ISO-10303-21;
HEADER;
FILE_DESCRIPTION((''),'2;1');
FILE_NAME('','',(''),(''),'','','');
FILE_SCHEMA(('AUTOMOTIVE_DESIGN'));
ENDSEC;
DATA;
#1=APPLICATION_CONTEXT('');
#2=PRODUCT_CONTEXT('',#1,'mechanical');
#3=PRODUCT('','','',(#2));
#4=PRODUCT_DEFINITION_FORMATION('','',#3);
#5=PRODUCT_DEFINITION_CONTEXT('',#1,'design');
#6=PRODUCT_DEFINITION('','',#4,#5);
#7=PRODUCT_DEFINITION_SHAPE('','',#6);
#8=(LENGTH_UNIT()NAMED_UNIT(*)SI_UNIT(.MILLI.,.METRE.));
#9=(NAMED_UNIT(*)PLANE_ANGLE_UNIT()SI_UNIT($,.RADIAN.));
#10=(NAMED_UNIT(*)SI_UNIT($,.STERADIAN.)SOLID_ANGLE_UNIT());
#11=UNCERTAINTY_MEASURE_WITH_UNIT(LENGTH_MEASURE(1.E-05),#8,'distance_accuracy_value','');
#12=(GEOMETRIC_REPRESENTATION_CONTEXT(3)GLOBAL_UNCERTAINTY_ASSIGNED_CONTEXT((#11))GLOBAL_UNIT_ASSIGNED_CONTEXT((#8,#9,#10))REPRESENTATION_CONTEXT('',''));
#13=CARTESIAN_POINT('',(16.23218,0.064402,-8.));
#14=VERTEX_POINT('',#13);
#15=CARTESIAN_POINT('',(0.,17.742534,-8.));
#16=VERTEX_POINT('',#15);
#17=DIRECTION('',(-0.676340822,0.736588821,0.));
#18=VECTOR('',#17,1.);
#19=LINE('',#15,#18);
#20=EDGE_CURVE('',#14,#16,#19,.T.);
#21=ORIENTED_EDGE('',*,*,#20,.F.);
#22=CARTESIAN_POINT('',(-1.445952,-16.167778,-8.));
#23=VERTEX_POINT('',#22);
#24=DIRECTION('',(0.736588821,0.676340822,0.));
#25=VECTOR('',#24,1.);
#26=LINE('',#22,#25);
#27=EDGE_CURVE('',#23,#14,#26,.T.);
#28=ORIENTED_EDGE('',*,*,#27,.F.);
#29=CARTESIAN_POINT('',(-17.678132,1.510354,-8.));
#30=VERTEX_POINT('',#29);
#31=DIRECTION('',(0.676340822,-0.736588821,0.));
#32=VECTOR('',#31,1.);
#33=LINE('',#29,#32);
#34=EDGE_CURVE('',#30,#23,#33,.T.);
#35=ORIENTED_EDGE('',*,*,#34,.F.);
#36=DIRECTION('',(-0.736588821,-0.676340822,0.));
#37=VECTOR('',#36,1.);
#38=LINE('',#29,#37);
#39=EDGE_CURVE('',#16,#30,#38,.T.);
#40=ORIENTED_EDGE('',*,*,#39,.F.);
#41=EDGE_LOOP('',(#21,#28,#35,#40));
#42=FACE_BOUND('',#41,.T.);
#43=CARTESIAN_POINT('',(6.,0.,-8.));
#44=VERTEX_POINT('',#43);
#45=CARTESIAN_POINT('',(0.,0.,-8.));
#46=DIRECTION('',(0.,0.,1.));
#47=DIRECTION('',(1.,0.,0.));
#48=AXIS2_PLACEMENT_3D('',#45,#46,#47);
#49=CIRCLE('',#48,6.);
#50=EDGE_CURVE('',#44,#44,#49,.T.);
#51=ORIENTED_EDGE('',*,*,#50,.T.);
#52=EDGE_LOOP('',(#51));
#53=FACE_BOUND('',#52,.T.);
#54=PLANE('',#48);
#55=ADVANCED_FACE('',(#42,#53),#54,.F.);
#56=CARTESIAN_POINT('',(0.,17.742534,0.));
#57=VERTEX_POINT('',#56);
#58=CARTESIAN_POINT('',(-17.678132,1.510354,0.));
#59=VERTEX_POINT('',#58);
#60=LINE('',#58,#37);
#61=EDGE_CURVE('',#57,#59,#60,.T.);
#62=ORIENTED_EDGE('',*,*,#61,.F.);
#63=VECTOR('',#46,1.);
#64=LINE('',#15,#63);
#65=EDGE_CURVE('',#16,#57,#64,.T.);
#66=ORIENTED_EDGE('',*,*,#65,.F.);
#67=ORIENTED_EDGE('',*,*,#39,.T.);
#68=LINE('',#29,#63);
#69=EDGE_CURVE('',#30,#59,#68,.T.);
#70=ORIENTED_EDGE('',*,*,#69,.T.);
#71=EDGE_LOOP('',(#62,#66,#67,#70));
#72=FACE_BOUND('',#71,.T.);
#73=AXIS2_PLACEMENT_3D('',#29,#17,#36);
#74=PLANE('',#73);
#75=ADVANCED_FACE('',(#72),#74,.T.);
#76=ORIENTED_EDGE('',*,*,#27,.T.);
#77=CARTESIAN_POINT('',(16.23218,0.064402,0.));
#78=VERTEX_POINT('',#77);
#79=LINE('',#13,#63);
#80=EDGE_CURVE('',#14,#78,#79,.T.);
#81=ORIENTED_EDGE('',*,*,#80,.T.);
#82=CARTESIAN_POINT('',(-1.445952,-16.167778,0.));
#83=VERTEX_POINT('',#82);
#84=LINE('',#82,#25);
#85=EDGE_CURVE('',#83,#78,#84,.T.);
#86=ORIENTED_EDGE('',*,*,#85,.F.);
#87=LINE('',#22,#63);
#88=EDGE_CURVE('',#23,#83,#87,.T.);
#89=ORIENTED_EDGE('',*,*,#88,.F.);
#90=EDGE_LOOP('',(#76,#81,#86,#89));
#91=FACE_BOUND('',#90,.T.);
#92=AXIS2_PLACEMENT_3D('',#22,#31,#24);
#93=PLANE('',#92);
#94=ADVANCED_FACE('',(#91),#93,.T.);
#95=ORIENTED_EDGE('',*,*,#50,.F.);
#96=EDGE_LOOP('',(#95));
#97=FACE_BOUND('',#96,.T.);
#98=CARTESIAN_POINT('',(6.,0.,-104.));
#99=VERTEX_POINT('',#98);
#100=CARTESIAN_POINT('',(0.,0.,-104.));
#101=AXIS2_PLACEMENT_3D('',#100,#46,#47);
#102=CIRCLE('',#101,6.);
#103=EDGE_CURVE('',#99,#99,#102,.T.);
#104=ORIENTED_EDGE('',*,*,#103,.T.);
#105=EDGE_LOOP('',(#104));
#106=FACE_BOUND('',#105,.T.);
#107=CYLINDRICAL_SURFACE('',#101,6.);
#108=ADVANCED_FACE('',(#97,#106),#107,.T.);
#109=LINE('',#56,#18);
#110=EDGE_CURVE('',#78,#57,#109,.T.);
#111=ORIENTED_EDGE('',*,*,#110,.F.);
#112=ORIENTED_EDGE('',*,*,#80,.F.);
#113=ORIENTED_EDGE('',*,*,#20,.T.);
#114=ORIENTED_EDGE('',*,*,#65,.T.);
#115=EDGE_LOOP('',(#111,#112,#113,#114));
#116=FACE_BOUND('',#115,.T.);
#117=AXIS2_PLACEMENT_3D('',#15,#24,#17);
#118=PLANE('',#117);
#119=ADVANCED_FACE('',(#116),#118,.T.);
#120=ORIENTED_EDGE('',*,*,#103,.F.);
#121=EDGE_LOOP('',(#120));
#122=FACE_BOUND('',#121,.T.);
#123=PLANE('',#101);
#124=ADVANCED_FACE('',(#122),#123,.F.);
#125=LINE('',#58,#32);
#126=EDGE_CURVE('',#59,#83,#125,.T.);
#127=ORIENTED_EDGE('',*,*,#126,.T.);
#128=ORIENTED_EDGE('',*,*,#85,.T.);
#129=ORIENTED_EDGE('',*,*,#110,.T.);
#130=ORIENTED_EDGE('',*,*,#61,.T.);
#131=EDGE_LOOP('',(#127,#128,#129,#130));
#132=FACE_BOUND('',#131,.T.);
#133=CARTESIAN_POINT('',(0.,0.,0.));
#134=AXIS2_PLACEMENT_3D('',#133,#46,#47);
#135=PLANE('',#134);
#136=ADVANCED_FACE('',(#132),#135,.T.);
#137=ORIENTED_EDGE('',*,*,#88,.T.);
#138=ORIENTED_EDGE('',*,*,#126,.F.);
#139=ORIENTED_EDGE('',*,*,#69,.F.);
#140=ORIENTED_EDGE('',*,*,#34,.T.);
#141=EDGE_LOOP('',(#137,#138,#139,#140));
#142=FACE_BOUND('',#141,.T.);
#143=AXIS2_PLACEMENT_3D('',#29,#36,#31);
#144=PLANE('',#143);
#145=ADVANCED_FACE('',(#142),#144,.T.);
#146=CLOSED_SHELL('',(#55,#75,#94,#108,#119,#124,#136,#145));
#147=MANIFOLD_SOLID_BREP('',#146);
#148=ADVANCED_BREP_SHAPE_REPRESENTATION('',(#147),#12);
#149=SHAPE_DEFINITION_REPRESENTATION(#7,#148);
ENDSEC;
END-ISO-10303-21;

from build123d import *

# Parameters (mm, degrees)
BOSS_EXTRUDE1_DEPTH = 8
SKETCH4_R           = 6
BOSS_EXTRUDE2_DEPTH = 104


with BuildPart() as part:
    # Sketch2 → Boss-Extrude1 (new body)
    with BuildSketch(Plane.XY):
        Polygon((-17.678131714, 1.510354203), (0, 17.742533943), (16.23217974, 0.064402229), (-1.445951974, -16.167777511), align=None)
    extrude(amount=-BOSS_EXTRUDE1_DEPTH)

    # Sketch4 → Boss-Extrude2 (add)
    with BuildSketch(Plane.XY):
        Circle(SKETCH4_R)
    extrude(amount=-BOSS_EXTRUDE2_DEPTH)


solid = part.part
